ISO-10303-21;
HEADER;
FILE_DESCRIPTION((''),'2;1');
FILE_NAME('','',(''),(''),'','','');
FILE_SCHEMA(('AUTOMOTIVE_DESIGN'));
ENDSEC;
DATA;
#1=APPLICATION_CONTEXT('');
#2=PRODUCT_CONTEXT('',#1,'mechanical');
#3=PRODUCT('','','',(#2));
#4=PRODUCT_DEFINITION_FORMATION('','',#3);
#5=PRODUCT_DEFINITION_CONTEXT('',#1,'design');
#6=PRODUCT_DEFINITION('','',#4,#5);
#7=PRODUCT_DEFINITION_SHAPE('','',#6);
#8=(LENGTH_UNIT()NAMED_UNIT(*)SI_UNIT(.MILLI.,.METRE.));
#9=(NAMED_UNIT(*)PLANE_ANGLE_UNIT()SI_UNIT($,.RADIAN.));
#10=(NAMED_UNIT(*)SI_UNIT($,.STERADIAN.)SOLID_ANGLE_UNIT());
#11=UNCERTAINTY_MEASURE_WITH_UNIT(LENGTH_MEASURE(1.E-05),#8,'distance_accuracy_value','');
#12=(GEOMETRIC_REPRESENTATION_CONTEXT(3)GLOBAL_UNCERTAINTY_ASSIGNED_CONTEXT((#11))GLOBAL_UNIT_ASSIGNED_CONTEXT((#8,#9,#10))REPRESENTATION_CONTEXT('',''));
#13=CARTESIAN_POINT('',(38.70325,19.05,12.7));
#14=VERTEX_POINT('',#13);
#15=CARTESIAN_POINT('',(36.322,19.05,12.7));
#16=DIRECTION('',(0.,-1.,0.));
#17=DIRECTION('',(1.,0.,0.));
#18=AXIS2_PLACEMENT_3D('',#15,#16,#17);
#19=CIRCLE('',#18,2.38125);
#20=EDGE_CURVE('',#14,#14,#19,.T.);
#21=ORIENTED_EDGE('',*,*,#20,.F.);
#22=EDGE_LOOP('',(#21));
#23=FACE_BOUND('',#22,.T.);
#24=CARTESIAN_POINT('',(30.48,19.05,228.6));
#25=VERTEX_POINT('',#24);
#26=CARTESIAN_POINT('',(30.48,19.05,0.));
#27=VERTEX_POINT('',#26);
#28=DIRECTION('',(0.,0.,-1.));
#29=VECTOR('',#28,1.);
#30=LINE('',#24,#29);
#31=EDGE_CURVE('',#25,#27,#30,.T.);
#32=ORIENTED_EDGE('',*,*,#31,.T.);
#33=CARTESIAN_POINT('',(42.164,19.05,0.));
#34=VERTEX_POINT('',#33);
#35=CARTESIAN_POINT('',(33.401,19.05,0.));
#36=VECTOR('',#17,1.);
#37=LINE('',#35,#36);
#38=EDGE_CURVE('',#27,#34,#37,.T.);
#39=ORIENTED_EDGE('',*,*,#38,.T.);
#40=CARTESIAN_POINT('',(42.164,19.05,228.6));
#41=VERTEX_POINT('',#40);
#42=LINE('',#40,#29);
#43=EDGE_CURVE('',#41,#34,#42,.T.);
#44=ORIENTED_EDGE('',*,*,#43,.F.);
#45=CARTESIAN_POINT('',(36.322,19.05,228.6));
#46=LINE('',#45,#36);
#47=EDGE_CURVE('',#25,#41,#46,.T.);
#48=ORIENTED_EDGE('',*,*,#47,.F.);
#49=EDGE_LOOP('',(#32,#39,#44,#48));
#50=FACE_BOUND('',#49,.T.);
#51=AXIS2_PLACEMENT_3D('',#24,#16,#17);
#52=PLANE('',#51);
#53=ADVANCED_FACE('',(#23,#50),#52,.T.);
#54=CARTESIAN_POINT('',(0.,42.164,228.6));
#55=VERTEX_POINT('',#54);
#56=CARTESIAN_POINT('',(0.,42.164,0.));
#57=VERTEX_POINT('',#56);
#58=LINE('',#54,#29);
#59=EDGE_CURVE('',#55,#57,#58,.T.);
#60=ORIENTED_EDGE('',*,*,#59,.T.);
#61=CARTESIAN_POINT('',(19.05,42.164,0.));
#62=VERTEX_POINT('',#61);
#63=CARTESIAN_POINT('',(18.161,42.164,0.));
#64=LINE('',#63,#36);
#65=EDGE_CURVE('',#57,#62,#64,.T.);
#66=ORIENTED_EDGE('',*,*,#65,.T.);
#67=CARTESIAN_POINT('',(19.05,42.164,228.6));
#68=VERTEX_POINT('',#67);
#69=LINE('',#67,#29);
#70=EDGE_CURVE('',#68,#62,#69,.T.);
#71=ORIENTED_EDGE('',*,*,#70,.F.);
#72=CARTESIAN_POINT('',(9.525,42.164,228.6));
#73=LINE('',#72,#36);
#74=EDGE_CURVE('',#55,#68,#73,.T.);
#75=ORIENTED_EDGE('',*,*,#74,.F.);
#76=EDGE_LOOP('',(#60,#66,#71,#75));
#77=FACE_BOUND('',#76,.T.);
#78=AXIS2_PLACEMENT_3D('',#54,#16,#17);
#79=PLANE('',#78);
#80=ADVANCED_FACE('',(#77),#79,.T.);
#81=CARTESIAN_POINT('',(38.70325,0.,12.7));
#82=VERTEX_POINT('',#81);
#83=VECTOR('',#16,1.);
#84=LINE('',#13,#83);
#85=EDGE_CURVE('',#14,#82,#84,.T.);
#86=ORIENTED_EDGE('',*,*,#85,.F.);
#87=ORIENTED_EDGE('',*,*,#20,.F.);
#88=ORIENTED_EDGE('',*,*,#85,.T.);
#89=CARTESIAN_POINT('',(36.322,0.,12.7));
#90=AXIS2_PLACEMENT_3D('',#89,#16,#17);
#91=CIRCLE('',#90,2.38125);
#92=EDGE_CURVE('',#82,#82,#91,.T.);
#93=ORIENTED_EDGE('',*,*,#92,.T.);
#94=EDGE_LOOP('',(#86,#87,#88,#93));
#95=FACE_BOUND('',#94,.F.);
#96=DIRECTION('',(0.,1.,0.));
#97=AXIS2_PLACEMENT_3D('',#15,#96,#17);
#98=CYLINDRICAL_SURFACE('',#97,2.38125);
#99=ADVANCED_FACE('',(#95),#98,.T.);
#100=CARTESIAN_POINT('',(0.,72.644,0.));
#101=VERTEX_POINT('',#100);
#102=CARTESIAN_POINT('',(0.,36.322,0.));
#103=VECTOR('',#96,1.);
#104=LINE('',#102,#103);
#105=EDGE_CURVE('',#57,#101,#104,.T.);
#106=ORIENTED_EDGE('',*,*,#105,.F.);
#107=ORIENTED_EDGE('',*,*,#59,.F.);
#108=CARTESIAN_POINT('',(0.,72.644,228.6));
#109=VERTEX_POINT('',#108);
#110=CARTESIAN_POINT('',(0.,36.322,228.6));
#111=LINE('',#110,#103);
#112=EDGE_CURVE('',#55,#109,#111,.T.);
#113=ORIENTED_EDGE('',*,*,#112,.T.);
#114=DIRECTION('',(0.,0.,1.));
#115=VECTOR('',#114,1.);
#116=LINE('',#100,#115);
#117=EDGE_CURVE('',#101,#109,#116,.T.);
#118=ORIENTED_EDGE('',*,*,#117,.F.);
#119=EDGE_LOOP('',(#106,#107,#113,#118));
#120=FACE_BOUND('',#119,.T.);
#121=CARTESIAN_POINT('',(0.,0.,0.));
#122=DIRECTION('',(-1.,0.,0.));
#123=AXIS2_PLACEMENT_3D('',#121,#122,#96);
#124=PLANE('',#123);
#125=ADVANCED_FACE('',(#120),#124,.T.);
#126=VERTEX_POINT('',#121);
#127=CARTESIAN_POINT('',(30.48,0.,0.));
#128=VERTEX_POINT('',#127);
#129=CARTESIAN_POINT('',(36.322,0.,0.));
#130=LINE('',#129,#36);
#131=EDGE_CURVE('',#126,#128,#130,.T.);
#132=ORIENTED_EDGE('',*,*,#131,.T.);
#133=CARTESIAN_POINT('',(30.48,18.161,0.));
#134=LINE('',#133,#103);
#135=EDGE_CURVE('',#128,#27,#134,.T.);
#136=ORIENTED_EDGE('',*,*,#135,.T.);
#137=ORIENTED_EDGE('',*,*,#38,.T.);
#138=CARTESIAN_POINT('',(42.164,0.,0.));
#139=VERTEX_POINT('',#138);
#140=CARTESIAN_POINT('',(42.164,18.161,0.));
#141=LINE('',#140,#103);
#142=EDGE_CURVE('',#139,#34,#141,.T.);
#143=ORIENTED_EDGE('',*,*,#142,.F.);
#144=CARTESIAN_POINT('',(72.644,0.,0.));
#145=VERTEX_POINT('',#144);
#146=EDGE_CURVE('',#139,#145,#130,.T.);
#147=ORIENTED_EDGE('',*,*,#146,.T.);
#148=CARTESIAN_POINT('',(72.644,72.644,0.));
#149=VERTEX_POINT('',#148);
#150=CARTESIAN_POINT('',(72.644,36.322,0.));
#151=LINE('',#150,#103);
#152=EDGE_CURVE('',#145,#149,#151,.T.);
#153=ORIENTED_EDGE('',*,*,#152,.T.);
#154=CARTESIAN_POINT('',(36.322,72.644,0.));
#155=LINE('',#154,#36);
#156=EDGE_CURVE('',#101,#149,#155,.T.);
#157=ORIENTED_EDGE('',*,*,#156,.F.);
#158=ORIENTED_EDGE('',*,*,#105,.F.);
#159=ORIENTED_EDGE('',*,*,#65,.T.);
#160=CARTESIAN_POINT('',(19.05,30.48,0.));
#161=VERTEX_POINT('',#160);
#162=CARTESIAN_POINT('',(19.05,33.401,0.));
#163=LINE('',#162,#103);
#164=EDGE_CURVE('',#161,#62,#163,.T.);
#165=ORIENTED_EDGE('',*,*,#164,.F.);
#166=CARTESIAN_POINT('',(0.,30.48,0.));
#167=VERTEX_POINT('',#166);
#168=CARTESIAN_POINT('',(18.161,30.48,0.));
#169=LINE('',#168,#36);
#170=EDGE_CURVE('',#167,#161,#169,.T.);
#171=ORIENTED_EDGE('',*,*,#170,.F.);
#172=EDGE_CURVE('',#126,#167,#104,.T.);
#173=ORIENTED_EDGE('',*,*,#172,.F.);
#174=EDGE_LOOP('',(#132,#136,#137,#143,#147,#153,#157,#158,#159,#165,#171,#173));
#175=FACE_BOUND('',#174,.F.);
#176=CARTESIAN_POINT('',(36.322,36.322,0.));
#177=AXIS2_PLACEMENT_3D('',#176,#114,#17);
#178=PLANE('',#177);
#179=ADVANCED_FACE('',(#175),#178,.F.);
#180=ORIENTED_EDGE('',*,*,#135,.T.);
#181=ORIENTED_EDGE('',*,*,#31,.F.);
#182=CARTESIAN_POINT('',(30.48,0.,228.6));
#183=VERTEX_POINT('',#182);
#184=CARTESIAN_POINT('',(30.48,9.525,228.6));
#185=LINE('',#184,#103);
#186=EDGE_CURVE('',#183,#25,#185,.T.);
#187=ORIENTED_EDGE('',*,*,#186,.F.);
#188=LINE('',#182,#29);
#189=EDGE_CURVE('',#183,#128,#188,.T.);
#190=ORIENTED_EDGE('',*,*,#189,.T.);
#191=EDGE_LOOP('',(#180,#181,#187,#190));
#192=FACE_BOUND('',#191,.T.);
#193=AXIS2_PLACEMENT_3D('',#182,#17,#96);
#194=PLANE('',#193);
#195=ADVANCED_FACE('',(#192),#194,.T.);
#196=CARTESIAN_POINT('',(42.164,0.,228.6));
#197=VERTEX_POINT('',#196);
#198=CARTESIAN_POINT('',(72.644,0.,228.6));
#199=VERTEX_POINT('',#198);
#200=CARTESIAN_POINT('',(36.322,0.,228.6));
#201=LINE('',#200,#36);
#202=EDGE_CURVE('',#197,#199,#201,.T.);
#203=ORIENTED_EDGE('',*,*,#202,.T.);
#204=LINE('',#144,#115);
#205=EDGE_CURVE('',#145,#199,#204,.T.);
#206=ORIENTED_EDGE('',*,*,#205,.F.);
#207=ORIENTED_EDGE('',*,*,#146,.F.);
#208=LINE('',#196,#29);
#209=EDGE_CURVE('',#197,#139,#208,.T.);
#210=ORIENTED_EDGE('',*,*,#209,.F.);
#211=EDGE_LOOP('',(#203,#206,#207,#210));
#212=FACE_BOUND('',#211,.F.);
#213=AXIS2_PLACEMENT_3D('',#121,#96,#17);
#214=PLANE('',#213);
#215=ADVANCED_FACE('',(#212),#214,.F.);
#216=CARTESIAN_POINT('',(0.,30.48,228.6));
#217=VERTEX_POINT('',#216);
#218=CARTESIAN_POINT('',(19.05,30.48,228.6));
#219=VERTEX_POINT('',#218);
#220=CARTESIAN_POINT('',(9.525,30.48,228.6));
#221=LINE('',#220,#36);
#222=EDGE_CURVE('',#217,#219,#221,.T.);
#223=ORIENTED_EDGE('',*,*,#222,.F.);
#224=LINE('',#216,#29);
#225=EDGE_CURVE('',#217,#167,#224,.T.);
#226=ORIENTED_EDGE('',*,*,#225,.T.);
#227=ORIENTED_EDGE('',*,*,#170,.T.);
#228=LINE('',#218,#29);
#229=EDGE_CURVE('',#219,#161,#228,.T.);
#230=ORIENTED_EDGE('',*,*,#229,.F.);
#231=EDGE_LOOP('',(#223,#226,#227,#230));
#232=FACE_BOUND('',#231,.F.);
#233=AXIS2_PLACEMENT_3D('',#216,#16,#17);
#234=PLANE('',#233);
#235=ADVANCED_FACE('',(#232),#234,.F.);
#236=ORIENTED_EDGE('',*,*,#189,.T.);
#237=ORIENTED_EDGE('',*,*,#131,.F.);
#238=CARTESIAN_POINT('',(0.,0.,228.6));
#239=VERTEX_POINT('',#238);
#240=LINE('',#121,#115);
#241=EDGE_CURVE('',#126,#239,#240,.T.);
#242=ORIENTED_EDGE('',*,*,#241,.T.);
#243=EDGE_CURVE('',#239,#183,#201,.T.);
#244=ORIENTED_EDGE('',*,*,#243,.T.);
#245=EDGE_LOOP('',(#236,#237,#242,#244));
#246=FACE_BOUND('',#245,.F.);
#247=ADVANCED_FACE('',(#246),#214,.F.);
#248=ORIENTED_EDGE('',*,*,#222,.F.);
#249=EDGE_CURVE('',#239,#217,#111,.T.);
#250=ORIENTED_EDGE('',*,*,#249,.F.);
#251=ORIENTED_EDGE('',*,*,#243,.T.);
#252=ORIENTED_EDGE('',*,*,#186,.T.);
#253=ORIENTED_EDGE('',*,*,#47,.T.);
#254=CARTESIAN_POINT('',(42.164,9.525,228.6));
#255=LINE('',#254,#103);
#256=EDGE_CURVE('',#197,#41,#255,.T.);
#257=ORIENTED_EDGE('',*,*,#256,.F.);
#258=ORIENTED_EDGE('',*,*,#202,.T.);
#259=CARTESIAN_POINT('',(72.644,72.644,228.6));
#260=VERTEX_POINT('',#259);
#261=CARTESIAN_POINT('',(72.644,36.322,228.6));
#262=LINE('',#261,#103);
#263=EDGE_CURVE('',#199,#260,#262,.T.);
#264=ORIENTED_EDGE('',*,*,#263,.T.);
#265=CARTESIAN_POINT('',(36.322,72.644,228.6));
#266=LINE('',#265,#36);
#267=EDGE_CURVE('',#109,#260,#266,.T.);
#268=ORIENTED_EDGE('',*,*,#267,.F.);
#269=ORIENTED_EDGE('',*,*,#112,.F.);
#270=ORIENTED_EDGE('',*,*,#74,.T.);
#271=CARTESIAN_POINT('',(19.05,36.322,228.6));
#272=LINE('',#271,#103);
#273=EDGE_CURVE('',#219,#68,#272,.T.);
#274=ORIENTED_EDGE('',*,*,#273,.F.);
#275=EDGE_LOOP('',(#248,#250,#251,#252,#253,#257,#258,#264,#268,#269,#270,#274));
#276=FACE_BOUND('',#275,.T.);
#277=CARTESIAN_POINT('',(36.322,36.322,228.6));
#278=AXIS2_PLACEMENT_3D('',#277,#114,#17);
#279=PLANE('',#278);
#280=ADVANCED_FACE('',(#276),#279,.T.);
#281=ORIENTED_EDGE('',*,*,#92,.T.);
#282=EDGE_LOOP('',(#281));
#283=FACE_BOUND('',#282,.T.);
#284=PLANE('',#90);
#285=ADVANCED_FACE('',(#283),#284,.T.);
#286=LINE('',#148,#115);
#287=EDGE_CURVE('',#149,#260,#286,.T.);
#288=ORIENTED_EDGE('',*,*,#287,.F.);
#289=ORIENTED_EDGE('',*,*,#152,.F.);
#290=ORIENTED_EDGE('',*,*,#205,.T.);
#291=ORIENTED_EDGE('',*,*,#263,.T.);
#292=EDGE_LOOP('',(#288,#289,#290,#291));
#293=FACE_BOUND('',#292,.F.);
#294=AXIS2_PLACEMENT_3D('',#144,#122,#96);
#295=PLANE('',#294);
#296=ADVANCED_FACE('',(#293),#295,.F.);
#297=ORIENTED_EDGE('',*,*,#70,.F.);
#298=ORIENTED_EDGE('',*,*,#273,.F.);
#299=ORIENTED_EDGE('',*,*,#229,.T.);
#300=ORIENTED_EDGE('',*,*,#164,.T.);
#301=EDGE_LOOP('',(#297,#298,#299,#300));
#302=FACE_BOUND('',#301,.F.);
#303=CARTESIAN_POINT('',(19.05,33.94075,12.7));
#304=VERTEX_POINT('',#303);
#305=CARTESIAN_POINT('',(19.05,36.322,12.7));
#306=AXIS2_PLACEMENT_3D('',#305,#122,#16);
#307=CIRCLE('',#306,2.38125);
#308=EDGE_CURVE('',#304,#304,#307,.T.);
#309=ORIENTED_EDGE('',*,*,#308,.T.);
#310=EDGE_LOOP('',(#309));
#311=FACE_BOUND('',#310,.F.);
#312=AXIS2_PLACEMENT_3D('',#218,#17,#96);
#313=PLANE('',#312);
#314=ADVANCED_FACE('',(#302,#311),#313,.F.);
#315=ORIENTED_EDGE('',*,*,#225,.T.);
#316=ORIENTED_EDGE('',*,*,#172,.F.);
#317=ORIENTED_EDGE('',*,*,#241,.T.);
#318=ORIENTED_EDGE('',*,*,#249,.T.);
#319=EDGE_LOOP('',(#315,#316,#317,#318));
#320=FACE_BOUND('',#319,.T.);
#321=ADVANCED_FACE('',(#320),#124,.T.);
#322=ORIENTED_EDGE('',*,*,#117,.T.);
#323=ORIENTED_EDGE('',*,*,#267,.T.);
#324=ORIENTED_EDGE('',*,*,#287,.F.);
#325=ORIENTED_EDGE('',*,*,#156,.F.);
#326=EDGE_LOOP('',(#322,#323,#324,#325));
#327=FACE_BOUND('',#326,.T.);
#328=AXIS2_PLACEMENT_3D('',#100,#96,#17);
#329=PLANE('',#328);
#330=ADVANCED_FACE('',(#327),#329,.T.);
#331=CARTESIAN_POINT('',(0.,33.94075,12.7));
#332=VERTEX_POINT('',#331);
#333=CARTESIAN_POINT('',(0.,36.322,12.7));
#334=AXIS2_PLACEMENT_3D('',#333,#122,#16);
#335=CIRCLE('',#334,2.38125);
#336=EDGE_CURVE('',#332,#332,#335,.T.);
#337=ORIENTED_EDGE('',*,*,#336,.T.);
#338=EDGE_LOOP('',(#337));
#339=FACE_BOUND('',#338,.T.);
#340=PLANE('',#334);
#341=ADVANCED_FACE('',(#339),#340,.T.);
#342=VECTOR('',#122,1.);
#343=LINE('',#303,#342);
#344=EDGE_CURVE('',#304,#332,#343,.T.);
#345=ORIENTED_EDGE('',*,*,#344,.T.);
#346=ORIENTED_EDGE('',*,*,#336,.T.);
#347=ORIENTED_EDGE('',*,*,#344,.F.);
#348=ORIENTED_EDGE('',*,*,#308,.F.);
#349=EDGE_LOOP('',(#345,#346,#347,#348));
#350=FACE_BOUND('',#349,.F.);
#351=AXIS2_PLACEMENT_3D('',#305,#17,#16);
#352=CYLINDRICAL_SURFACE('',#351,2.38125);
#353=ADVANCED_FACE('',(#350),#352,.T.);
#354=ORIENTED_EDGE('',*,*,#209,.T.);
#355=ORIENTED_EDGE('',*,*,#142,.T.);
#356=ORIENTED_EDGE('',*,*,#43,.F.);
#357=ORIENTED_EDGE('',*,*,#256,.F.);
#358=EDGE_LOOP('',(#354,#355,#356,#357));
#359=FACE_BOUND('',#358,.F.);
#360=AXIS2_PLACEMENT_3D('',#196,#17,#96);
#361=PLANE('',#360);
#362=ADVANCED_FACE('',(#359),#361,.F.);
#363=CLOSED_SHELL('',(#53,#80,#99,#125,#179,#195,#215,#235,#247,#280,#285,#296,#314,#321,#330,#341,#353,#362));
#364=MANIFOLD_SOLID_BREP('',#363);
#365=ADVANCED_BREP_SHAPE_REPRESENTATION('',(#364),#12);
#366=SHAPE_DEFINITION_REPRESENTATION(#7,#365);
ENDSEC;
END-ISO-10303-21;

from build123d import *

# Parameters (mm, degrees)
F0_W     = 72.644
F0_H     = 72.644
F1_DEPTH = 228.6
F2_W     = 19.05
F2_H     = 11.684
F2_W_2   = 11.684
F2_H_2   = 19.05
F3_DEPTH = 228.601
F4_R     = 2.38125
F5_DEPTH = 19.05
F6_R     = 2.38125
F7_DEPTH = 19.05


with BuildPart() as f1:
    # F0 (on Top) → F1 (new body)
    with BuildSketch(Plane.XY):
        with Locations((36.322, 36.322)):
            Rectangle(F0_W, F0_H)
    extrude(amount=F1_DEPTH)

    # F2 (on face) → F3 (cut, through all)
    with BuildSketch(Plane.XY.offset(228.6)):
        with Locations((9.525, 36.322)):
            Rectangle(F2_W, F2_H)
        with Locations((36.322, 9.525)):
            Rectangle(F2_W_2, F2_H_2)
    extrude(amount=-F3_DEPTH, mode=Mode.SUBTRACT)

    # F4 (on face) → F5 (join, through all)
    with BuildSketch(Plane.XZ.offset(-19.05)):
        with Locations((36.322, 12.7)):
            Circle(F4_R)
    extrude(amount=F5_DEPTH)

    # F6 (on face) → F7 (join, through all)
    with BuildSketch(Plane(origin=(19.05, 0, 0), x_dir=(0, -1, 0), z_dir=(-1, 0, 0))):
        with Locations((-36.322, 12.7)):
            Circle(F6_R)
    extrude(amount=F7_DEPTH)


solid = f1.part
